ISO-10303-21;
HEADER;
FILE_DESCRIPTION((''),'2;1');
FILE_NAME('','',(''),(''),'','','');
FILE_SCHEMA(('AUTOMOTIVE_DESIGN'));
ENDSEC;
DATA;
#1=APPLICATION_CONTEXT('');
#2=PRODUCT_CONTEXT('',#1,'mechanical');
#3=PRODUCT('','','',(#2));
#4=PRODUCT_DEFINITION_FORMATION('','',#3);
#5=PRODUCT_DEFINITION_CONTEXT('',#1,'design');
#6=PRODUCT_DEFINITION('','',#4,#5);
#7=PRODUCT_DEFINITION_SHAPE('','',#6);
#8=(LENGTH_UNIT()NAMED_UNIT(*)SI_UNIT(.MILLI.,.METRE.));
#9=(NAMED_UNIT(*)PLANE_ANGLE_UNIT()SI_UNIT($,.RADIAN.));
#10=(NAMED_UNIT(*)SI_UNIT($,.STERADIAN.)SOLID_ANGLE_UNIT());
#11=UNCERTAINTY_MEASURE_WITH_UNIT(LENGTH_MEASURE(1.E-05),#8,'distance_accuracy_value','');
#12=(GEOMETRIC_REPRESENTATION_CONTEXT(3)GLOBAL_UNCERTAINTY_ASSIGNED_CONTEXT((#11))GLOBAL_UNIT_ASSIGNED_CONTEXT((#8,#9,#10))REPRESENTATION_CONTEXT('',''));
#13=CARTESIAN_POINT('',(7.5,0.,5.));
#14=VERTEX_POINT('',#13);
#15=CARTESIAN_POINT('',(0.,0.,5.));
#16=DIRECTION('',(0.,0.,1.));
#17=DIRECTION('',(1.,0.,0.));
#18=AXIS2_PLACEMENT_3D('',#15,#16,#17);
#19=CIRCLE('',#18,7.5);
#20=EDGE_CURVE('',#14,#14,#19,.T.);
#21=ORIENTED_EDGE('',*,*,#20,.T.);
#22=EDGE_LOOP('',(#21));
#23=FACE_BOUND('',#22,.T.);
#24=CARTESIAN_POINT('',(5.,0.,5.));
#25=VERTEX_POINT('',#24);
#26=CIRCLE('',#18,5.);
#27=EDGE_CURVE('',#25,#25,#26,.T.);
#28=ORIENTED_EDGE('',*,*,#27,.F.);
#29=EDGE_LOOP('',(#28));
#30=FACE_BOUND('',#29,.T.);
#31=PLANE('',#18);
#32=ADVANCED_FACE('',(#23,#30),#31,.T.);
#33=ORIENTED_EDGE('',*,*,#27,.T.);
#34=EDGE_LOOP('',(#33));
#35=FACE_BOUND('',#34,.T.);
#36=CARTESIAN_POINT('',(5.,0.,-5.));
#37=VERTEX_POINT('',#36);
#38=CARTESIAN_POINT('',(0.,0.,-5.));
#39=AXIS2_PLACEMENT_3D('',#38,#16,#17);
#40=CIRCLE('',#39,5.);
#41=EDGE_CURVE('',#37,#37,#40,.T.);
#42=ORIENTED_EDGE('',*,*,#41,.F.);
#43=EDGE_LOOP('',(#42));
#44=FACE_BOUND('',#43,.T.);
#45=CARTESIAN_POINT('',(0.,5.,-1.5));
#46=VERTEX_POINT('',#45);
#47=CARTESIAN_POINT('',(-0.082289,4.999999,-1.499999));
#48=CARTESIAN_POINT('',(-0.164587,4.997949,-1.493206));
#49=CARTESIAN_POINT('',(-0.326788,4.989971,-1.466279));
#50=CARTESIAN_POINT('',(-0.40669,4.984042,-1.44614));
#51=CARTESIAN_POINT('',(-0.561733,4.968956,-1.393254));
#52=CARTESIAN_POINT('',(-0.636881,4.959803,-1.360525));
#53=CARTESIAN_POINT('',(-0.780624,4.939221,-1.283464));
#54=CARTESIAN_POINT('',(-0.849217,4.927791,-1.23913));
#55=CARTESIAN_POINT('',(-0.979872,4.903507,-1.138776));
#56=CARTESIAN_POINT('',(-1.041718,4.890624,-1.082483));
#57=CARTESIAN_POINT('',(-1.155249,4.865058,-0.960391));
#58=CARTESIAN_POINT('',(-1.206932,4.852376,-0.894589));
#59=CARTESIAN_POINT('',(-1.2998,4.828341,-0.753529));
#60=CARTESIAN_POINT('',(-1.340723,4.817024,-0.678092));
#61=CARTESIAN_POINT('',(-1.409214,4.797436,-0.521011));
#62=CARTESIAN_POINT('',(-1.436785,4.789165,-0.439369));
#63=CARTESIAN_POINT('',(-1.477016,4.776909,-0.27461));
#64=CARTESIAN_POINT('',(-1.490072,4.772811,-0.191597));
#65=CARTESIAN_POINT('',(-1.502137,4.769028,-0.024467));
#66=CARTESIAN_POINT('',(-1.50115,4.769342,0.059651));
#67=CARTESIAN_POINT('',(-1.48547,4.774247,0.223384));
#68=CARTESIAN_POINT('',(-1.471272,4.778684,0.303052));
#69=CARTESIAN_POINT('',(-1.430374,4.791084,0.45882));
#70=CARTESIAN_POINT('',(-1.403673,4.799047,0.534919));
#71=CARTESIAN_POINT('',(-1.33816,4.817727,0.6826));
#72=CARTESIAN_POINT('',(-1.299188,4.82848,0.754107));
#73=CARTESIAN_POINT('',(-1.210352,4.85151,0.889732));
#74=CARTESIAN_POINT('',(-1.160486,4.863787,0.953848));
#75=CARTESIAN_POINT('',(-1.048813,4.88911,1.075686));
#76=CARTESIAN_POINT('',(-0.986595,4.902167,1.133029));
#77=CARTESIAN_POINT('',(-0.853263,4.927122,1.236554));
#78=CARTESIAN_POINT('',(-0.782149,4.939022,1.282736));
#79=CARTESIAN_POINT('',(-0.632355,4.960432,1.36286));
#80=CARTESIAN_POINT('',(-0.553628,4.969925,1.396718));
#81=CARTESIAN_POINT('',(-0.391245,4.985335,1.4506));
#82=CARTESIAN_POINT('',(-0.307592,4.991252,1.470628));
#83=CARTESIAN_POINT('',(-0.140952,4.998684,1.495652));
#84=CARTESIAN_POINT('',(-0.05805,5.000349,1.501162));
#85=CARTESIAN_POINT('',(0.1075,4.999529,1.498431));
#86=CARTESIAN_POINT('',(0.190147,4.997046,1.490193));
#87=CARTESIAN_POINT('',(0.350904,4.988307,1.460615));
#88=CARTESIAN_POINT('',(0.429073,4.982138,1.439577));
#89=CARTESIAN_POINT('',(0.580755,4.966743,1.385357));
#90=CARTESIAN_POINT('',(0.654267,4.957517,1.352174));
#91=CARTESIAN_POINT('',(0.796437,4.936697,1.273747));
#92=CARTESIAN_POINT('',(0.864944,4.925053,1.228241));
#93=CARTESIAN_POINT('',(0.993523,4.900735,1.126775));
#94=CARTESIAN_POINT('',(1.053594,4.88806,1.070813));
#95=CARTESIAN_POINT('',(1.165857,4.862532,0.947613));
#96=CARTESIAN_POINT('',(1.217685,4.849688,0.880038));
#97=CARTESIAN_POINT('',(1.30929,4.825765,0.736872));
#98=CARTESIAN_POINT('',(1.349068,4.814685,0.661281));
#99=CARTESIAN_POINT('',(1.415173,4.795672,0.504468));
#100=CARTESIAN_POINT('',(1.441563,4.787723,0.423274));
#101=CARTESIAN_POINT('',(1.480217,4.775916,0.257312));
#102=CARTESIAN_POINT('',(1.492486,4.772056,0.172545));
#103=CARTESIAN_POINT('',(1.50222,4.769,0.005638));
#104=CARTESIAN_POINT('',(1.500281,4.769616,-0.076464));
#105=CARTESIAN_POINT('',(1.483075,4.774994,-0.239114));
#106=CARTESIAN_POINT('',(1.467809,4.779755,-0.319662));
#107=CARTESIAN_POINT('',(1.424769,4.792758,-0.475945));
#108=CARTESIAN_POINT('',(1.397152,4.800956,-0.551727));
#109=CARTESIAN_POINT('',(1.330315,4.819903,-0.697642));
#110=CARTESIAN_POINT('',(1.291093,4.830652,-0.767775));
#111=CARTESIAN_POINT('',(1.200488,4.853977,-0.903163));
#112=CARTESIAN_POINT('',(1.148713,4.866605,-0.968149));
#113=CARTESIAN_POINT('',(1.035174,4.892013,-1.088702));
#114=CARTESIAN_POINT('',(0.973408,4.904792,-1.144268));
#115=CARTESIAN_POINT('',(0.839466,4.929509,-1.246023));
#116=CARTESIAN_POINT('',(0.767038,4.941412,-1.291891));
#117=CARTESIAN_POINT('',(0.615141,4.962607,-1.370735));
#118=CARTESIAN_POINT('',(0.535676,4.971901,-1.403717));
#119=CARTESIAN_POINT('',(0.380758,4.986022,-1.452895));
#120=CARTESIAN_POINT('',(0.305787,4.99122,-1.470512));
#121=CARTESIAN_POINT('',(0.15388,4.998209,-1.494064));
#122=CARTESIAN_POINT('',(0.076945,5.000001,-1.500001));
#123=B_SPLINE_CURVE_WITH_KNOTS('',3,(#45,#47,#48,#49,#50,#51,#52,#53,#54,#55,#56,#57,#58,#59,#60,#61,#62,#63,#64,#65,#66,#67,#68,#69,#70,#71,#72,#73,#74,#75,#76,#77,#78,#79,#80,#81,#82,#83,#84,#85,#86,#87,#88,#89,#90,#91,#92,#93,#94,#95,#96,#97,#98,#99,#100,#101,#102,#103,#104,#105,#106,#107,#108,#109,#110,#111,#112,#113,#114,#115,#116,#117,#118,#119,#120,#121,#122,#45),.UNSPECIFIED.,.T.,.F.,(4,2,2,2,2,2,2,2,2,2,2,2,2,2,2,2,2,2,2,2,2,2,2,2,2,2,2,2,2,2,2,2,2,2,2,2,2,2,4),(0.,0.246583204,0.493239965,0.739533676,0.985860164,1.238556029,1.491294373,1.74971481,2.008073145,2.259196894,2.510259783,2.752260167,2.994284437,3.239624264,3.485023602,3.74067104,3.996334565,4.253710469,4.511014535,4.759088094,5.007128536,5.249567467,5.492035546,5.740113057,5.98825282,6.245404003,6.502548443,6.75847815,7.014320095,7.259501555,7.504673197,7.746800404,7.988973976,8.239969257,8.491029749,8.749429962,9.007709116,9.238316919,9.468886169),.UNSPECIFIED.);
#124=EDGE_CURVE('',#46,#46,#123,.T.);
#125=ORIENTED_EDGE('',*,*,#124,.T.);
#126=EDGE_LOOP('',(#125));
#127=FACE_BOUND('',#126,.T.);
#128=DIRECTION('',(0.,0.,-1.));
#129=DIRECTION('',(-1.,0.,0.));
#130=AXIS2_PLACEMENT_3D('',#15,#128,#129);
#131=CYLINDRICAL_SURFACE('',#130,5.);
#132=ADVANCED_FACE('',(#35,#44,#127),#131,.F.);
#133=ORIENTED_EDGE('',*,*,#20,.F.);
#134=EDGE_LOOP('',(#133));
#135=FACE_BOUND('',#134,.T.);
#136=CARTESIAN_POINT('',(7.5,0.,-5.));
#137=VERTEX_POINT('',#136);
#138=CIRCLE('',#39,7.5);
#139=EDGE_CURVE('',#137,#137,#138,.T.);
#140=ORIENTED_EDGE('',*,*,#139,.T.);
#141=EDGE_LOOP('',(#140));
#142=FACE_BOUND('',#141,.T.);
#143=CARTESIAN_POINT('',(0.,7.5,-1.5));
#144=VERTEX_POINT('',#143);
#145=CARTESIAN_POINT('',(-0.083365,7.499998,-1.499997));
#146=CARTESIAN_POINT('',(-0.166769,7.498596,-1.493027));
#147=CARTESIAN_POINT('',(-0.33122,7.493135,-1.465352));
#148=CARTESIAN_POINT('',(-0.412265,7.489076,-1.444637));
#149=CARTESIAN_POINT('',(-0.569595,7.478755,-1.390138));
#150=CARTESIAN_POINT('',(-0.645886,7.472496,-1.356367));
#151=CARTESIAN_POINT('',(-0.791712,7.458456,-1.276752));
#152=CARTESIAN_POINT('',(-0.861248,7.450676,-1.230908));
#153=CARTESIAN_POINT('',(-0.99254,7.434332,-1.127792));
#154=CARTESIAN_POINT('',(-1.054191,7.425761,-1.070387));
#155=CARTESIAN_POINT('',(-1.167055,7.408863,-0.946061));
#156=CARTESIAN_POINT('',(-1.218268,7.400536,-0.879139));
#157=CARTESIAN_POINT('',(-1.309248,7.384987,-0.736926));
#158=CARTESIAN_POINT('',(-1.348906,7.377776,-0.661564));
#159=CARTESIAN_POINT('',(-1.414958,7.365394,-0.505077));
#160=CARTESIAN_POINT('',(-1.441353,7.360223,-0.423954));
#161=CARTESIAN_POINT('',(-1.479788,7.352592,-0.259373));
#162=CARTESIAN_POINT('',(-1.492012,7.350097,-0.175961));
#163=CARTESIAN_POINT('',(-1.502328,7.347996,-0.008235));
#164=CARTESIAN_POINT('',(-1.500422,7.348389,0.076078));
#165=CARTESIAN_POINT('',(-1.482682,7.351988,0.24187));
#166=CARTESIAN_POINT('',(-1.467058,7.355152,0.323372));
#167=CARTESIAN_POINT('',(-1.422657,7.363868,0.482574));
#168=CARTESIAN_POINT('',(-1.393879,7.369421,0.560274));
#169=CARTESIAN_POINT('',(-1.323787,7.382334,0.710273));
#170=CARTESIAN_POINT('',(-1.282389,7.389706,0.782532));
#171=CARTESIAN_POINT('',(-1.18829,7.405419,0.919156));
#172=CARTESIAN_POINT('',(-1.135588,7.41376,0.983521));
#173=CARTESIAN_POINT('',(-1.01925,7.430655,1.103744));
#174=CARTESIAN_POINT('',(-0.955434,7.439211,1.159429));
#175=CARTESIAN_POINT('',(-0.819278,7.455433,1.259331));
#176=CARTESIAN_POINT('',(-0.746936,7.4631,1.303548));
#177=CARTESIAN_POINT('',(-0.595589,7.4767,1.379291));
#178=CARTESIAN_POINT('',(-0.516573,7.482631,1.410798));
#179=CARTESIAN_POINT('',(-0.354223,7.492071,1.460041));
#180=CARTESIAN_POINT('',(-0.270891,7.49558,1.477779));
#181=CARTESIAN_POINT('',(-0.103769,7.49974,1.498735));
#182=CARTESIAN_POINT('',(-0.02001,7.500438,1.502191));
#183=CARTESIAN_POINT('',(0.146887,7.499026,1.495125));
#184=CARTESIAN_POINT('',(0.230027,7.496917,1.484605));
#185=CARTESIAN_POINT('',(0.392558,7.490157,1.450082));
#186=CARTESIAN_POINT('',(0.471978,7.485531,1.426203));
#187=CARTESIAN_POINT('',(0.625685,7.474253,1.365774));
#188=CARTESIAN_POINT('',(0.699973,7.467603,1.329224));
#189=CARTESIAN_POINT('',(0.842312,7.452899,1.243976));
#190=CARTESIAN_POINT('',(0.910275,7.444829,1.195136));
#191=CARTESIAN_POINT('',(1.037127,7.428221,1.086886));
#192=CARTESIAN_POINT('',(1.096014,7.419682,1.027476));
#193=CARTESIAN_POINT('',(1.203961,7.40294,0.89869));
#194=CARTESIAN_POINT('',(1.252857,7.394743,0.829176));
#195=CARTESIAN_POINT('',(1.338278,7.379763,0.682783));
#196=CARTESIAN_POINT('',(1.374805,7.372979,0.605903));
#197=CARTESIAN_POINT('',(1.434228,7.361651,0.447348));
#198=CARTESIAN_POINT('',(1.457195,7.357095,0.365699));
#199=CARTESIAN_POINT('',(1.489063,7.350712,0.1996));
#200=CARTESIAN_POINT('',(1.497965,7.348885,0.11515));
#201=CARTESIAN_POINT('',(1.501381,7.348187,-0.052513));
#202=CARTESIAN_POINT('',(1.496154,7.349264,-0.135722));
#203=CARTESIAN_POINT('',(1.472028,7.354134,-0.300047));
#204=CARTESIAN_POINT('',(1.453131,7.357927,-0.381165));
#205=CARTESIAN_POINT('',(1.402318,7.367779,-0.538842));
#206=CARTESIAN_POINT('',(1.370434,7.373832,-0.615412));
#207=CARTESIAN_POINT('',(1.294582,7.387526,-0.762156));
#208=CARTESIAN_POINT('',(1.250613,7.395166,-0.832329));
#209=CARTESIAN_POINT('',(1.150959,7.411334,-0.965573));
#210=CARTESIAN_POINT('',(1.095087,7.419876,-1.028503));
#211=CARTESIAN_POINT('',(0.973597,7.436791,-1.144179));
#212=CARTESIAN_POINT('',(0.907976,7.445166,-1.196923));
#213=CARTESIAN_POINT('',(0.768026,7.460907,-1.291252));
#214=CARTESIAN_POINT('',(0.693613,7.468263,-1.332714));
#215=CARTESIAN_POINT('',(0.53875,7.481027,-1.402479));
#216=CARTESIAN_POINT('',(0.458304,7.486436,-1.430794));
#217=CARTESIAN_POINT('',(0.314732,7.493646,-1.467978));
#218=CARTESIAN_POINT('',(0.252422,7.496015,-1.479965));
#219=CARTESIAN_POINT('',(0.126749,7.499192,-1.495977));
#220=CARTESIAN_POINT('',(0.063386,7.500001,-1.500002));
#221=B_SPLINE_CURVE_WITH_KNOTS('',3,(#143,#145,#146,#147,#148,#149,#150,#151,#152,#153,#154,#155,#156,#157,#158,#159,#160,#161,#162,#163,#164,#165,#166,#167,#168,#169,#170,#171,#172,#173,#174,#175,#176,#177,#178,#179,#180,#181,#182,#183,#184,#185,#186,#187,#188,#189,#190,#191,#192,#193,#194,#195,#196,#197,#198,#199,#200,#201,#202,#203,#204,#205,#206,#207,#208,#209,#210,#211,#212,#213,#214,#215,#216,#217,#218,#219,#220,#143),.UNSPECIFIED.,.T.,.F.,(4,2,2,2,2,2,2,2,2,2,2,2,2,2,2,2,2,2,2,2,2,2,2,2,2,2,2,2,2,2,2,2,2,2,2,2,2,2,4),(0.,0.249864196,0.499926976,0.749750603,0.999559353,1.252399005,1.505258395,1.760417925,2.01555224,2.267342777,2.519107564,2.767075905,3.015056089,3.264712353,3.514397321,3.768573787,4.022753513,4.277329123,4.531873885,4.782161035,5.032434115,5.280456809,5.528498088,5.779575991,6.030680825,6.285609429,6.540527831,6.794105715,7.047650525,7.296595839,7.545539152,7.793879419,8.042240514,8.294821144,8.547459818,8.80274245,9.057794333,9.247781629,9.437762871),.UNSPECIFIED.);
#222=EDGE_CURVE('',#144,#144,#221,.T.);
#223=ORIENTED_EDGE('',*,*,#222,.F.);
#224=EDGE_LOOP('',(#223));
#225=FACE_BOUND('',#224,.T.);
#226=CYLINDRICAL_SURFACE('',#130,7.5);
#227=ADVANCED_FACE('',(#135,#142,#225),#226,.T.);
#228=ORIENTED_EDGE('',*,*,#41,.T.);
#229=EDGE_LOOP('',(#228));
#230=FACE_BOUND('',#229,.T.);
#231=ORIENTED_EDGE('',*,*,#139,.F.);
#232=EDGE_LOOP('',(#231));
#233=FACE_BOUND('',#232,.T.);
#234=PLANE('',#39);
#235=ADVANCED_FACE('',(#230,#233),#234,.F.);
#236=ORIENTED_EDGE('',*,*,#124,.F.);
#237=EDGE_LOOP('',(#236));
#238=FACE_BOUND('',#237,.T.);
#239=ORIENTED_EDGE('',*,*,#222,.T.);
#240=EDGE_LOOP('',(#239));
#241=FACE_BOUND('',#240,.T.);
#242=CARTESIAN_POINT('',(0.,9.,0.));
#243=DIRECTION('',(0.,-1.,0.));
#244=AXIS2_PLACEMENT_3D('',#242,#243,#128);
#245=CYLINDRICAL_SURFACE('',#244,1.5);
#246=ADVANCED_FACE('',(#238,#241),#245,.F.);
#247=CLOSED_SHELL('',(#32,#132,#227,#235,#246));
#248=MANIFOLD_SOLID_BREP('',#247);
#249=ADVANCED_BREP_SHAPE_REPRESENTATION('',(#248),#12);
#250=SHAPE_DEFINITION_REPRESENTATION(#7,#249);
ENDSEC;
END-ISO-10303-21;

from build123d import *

# Parameters (mm, degrees)
SKETCH1_R           = 7.5
SKETCH1_R_2         = 5
BOSS_EXTRUDE1_DEPTH = 5
SKETCH2_R           = 1.5
CUT_EXTRUDE1_DEPTH  = 9


with BuildPart() as part:
    # Sketch1 → Boss-Extrude1 (new body, symmetric)
    with BuildSketch(Plane.XY):
        Circle(SKETCH1_R)
        Circle(SKETCH1_R_2, mode=Mode.SUBTRACT)
    extrude(amount=BOSS_EXTRUDE1_DEPTH, both=True)

    # Sketch2 → Cut-Extrude1 (cut)
    with BuildSketch(Plane(origin=(0, 0, 0), x_dir=(1, 0, 0), z_dir=(0, 1, 0))):
        Circle(SKETCH2_R)
    extrude(amount=CUT_EXTRUDE1_DEPTH, mode=Mode.SUBTRACT)


solid = part.part
